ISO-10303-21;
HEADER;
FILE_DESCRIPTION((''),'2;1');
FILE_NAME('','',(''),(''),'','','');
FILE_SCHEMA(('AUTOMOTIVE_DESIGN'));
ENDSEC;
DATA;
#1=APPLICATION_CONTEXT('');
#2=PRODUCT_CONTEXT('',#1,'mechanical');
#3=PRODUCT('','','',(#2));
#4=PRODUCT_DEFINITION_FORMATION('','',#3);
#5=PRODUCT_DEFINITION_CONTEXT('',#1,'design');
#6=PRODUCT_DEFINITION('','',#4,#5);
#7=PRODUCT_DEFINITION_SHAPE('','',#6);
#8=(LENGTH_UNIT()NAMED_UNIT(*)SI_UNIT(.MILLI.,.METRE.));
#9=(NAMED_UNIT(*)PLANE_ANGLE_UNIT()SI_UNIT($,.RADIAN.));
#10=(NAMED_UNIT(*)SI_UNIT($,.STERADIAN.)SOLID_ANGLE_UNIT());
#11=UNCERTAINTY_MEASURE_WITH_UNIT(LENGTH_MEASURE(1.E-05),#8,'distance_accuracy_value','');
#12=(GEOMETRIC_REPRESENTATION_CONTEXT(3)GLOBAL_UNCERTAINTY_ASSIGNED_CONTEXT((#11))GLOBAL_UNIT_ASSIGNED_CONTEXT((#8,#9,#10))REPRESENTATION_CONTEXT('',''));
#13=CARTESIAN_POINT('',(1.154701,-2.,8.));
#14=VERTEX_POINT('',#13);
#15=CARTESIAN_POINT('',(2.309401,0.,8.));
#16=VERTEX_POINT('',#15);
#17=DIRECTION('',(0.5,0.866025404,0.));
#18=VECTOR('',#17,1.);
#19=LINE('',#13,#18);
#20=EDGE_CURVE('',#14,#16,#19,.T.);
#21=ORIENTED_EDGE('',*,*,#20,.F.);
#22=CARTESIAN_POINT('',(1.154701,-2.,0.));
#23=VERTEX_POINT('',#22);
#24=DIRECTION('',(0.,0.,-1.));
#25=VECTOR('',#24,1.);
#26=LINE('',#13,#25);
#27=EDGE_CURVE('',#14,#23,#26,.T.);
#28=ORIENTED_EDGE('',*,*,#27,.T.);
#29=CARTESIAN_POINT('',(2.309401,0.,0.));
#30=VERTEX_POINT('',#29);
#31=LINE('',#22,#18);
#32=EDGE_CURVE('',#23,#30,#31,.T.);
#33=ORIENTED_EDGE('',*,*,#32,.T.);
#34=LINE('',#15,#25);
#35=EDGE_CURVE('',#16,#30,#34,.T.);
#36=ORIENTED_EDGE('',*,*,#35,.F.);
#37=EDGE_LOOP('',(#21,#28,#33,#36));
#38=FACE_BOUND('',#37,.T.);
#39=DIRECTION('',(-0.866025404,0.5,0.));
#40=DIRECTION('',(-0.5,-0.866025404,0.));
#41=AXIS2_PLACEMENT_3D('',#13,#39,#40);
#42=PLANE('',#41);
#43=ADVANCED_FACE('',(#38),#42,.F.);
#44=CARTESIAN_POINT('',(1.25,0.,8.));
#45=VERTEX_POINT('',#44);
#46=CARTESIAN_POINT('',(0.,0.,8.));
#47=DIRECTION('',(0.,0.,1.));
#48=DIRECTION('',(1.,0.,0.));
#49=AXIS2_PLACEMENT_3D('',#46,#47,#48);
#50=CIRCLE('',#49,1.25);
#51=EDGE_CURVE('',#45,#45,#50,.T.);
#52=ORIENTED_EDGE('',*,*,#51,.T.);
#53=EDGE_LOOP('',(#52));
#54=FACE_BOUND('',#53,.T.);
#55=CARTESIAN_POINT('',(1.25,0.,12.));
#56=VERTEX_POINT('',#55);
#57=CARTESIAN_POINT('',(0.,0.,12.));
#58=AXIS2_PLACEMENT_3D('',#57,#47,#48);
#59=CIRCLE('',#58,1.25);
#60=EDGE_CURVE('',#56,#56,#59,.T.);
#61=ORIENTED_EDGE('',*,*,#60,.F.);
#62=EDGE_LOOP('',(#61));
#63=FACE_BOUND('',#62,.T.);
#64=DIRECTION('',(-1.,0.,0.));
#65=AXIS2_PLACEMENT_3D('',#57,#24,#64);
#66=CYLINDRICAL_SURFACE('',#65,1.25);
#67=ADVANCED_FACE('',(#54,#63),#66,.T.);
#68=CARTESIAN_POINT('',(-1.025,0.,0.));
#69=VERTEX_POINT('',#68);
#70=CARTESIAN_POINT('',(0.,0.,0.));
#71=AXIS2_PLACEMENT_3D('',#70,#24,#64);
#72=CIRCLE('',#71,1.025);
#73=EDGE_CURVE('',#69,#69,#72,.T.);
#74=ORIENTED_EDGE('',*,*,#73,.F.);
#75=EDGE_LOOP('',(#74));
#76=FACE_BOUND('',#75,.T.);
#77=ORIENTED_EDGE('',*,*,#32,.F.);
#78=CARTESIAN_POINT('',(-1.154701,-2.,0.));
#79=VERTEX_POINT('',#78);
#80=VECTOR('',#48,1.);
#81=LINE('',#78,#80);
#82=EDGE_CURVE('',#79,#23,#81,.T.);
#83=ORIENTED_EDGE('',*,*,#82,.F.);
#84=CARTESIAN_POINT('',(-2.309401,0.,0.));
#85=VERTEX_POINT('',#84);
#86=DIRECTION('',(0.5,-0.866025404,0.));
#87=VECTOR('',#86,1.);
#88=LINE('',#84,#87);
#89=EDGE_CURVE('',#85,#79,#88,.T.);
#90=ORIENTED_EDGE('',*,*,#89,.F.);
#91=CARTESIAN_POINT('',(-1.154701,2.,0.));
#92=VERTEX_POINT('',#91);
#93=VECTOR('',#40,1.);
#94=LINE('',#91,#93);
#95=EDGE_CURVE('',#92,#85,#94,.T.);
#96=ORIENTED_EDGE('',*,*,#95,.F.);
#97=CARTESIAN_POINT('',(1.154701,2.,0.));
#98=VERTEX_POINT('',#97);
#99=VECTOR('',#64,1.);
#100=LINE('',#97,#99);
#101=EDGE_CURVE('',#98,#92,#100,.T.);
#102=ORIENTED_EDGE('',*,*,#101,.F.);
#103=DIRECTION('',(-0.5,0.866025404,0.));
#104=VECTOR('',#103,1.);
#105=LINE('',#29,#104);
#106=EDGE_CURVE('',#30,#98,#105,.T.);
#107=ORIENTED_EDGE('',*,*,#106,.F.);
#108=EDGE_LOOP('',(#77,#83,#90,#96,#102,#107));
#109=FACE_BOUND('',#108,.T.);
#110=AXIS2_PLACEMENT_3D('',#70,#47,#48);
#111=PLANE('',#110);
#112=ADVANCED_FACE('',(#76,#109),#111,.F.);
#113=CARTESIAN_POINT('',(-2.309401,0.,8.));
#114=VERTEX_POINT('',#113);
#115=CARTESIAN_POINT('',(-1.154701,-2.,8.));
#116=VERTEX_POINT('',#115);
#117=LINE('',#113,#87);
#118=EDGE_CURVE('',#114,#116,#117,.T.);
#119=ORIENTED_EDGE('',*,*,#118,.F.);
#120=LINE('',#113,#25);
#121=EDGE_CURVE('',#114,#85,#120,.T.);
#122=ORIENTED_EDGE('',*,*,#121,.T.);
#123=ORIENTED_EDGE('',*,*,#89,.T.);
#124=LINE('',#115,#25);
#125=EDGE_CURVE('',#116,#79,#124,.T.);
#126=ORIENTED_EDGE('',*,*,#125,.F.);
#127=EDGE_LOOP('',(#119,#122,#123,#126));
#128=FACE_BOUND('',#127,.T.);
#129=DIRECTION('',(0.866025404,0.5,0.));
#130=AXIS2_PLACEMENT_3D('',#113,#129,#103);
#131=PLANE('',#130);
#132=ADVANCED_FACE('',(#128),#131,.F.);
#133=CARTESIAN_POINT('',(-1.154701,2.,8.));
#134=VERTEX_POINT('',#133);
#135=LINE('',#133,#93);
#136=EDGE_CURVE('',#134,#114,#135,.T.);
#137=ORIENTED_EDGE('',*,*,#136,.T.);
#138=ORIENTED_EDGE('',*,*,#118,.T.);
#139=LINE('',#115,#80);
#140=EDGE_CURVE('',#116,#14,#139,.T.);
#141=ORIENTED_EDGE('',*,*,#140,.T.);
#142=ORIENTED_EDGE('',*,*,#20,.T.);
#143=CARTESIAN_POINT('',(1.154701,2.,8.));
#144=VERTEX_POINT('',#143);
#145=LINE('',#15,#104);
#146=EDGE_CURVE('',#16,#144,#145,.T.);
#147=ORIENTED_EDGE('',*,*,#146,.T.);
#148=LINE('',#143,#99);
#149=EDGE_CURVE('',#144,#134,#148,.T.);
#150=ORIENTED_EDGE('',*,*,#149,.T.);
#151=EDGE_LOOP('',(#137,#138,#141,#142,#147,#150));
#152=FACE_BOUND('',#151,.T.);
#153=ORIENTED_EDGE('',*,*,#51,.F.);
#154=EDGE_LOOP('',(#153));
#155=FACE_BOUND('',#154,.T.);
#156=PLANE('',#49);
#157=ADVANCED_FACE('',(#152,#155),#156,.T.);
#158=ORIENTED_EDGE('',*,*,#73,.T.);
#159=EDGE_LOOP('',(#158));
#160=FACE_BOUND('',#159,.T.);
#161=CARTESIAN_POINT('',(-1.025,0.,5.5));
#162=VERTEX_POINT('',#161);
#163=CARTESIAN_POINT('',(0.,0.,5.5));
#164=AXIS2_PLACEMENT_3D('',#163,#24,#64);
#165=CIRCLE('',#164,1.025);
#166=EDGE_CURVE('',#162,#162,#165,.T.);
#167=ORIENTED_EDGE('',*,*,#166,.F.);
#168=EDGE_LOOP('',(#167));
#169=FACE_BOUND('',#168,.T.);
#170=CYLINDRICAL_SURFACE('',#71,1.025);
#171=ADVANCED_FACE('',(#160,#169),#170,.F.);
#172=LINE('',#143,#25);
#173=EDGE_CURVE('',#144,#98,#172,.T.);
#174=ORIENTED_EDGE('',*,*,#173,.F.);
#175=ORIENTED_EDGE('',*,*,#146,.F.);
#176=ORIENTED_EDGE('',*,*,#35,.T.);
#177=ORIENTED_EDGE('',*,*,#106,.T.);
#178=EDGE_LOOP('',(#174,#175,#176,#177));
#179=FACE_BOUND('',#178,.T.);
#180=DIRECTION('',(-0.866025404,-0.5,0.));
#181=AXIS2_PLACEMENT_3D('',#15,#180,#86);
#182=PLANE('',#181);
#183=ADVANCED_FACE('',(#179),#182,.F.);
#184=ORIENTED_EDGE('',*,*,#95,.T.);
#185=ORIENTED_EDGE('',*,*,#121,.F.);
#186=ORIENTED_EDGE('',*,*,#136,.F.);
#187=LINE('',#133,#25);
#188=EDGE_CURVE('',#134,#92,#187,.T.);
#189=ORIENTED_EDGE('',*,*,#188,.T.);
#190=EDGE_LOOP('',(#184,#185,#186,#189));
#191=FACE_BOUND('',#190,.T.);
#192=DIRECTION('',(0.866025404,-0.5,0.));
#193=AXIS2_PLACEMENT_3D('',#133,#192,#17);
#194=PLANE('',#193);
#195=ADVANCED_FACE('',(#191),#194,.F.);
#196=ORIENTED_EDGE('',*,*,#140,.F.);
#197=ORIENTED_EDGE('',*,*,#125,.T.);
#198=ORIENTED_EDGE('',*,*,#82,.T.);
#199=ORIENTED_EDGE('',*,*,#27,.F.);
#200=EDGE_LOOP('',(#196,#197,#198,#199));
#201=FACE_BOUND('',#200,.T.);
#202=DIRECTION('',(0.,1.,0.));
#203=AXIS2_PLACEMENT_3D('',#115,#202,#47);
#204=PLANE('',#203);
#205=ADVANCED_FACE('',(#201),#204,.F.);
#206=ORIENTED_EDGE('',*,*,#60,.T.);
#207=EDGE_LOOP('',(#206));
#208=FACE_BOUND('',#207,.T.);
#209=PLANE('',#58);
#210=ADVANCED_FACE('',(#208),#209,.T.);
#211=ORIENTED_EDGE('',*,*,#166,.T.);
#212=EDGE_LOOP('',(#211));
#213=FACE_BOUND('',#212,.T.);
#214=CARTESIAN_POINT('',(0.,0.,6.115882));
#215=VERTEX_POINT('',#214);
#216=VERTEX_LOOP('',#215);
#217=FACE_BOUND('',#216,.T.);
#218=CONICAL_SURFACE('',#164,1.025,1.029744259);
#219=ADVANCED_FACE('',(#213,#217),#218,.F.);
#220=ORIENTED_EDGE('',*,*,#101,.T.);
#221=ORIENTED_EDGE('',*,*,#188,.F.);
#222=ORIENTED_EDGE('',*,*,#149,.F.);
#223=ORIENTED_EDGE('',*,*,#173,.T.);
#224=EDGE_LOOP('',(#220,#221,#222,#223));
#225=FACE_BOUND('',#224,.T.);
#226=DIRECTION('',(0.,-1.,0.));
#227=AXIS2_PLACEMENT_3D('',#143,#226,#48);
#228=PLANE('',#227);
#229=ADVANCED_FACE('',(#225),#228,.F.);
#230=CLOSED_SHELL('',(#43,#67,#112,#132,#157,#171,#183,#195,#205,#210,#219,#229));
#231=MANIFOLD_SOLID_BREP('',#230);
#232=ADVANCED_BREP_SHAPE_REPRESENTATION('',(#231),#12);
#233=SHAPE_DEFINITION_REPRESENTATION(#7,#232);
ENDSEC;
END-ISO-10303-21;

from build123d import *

# Parameters (mm, degrees)
BOSS_EXTRUDE1_DEPTH     = 8
SKETCH2_R               = 1.25
BOSS_EXTRUDE2_DEPTH     = 4
M2_5_TAPPED_HOLE1_D     = 2.05
M2_5_TAPPED_HOLE1_DEPTH = 5.5
M2_5_TAPPED_HOLE1_TIP   = 0.615882135


with BuildPart() as part:
    # Sketch1 → Boss-Extrude1 (new body)
    with BuildSketch(Plane.XY):
        Polygon((-1.154700538, -2), (1.154700538, -2), (2.309401077, 0), (1.154700538, 2), (-1.154700538, 2), (-2.309401077, 0), align=None)
    extrude(amount=BOSS_EXTRUDE1_DEPTH)

    # Sketch2 → Boss-Extrude2 (add)
    with BuildSketch(Plane.XY.offset(8)):
        Circle(SKETCH2_R)
    extrude(amount=BOSS_EXTRUDE2_DEPTH)

    # M2.5 Tapped Hole1
    with Locations(Plane(origin=(0, 0, 0), x_dir=(-1, 0, 0), z_dir=(0, 0, -1))):
        with Locations((0, 0)):
            Hole(M2_5_TAPPED_HOLE1_D / 2, depth=M2_5_TAPPED_HOLE1_DEPTH)
            with Locations((0, 0, -(M2_5_TAPPED_HOLE1_DEPTH + M2_5_TAPPED_HOLE1_TIP / 2))):  # 118° drill point
                Cone(0, M2_5_TAPPED_HOLE1_D / 2, M2_5_TAPPED_HOLE1_TIP, mode=Mode.SUBTRACT)


solid = part.part
